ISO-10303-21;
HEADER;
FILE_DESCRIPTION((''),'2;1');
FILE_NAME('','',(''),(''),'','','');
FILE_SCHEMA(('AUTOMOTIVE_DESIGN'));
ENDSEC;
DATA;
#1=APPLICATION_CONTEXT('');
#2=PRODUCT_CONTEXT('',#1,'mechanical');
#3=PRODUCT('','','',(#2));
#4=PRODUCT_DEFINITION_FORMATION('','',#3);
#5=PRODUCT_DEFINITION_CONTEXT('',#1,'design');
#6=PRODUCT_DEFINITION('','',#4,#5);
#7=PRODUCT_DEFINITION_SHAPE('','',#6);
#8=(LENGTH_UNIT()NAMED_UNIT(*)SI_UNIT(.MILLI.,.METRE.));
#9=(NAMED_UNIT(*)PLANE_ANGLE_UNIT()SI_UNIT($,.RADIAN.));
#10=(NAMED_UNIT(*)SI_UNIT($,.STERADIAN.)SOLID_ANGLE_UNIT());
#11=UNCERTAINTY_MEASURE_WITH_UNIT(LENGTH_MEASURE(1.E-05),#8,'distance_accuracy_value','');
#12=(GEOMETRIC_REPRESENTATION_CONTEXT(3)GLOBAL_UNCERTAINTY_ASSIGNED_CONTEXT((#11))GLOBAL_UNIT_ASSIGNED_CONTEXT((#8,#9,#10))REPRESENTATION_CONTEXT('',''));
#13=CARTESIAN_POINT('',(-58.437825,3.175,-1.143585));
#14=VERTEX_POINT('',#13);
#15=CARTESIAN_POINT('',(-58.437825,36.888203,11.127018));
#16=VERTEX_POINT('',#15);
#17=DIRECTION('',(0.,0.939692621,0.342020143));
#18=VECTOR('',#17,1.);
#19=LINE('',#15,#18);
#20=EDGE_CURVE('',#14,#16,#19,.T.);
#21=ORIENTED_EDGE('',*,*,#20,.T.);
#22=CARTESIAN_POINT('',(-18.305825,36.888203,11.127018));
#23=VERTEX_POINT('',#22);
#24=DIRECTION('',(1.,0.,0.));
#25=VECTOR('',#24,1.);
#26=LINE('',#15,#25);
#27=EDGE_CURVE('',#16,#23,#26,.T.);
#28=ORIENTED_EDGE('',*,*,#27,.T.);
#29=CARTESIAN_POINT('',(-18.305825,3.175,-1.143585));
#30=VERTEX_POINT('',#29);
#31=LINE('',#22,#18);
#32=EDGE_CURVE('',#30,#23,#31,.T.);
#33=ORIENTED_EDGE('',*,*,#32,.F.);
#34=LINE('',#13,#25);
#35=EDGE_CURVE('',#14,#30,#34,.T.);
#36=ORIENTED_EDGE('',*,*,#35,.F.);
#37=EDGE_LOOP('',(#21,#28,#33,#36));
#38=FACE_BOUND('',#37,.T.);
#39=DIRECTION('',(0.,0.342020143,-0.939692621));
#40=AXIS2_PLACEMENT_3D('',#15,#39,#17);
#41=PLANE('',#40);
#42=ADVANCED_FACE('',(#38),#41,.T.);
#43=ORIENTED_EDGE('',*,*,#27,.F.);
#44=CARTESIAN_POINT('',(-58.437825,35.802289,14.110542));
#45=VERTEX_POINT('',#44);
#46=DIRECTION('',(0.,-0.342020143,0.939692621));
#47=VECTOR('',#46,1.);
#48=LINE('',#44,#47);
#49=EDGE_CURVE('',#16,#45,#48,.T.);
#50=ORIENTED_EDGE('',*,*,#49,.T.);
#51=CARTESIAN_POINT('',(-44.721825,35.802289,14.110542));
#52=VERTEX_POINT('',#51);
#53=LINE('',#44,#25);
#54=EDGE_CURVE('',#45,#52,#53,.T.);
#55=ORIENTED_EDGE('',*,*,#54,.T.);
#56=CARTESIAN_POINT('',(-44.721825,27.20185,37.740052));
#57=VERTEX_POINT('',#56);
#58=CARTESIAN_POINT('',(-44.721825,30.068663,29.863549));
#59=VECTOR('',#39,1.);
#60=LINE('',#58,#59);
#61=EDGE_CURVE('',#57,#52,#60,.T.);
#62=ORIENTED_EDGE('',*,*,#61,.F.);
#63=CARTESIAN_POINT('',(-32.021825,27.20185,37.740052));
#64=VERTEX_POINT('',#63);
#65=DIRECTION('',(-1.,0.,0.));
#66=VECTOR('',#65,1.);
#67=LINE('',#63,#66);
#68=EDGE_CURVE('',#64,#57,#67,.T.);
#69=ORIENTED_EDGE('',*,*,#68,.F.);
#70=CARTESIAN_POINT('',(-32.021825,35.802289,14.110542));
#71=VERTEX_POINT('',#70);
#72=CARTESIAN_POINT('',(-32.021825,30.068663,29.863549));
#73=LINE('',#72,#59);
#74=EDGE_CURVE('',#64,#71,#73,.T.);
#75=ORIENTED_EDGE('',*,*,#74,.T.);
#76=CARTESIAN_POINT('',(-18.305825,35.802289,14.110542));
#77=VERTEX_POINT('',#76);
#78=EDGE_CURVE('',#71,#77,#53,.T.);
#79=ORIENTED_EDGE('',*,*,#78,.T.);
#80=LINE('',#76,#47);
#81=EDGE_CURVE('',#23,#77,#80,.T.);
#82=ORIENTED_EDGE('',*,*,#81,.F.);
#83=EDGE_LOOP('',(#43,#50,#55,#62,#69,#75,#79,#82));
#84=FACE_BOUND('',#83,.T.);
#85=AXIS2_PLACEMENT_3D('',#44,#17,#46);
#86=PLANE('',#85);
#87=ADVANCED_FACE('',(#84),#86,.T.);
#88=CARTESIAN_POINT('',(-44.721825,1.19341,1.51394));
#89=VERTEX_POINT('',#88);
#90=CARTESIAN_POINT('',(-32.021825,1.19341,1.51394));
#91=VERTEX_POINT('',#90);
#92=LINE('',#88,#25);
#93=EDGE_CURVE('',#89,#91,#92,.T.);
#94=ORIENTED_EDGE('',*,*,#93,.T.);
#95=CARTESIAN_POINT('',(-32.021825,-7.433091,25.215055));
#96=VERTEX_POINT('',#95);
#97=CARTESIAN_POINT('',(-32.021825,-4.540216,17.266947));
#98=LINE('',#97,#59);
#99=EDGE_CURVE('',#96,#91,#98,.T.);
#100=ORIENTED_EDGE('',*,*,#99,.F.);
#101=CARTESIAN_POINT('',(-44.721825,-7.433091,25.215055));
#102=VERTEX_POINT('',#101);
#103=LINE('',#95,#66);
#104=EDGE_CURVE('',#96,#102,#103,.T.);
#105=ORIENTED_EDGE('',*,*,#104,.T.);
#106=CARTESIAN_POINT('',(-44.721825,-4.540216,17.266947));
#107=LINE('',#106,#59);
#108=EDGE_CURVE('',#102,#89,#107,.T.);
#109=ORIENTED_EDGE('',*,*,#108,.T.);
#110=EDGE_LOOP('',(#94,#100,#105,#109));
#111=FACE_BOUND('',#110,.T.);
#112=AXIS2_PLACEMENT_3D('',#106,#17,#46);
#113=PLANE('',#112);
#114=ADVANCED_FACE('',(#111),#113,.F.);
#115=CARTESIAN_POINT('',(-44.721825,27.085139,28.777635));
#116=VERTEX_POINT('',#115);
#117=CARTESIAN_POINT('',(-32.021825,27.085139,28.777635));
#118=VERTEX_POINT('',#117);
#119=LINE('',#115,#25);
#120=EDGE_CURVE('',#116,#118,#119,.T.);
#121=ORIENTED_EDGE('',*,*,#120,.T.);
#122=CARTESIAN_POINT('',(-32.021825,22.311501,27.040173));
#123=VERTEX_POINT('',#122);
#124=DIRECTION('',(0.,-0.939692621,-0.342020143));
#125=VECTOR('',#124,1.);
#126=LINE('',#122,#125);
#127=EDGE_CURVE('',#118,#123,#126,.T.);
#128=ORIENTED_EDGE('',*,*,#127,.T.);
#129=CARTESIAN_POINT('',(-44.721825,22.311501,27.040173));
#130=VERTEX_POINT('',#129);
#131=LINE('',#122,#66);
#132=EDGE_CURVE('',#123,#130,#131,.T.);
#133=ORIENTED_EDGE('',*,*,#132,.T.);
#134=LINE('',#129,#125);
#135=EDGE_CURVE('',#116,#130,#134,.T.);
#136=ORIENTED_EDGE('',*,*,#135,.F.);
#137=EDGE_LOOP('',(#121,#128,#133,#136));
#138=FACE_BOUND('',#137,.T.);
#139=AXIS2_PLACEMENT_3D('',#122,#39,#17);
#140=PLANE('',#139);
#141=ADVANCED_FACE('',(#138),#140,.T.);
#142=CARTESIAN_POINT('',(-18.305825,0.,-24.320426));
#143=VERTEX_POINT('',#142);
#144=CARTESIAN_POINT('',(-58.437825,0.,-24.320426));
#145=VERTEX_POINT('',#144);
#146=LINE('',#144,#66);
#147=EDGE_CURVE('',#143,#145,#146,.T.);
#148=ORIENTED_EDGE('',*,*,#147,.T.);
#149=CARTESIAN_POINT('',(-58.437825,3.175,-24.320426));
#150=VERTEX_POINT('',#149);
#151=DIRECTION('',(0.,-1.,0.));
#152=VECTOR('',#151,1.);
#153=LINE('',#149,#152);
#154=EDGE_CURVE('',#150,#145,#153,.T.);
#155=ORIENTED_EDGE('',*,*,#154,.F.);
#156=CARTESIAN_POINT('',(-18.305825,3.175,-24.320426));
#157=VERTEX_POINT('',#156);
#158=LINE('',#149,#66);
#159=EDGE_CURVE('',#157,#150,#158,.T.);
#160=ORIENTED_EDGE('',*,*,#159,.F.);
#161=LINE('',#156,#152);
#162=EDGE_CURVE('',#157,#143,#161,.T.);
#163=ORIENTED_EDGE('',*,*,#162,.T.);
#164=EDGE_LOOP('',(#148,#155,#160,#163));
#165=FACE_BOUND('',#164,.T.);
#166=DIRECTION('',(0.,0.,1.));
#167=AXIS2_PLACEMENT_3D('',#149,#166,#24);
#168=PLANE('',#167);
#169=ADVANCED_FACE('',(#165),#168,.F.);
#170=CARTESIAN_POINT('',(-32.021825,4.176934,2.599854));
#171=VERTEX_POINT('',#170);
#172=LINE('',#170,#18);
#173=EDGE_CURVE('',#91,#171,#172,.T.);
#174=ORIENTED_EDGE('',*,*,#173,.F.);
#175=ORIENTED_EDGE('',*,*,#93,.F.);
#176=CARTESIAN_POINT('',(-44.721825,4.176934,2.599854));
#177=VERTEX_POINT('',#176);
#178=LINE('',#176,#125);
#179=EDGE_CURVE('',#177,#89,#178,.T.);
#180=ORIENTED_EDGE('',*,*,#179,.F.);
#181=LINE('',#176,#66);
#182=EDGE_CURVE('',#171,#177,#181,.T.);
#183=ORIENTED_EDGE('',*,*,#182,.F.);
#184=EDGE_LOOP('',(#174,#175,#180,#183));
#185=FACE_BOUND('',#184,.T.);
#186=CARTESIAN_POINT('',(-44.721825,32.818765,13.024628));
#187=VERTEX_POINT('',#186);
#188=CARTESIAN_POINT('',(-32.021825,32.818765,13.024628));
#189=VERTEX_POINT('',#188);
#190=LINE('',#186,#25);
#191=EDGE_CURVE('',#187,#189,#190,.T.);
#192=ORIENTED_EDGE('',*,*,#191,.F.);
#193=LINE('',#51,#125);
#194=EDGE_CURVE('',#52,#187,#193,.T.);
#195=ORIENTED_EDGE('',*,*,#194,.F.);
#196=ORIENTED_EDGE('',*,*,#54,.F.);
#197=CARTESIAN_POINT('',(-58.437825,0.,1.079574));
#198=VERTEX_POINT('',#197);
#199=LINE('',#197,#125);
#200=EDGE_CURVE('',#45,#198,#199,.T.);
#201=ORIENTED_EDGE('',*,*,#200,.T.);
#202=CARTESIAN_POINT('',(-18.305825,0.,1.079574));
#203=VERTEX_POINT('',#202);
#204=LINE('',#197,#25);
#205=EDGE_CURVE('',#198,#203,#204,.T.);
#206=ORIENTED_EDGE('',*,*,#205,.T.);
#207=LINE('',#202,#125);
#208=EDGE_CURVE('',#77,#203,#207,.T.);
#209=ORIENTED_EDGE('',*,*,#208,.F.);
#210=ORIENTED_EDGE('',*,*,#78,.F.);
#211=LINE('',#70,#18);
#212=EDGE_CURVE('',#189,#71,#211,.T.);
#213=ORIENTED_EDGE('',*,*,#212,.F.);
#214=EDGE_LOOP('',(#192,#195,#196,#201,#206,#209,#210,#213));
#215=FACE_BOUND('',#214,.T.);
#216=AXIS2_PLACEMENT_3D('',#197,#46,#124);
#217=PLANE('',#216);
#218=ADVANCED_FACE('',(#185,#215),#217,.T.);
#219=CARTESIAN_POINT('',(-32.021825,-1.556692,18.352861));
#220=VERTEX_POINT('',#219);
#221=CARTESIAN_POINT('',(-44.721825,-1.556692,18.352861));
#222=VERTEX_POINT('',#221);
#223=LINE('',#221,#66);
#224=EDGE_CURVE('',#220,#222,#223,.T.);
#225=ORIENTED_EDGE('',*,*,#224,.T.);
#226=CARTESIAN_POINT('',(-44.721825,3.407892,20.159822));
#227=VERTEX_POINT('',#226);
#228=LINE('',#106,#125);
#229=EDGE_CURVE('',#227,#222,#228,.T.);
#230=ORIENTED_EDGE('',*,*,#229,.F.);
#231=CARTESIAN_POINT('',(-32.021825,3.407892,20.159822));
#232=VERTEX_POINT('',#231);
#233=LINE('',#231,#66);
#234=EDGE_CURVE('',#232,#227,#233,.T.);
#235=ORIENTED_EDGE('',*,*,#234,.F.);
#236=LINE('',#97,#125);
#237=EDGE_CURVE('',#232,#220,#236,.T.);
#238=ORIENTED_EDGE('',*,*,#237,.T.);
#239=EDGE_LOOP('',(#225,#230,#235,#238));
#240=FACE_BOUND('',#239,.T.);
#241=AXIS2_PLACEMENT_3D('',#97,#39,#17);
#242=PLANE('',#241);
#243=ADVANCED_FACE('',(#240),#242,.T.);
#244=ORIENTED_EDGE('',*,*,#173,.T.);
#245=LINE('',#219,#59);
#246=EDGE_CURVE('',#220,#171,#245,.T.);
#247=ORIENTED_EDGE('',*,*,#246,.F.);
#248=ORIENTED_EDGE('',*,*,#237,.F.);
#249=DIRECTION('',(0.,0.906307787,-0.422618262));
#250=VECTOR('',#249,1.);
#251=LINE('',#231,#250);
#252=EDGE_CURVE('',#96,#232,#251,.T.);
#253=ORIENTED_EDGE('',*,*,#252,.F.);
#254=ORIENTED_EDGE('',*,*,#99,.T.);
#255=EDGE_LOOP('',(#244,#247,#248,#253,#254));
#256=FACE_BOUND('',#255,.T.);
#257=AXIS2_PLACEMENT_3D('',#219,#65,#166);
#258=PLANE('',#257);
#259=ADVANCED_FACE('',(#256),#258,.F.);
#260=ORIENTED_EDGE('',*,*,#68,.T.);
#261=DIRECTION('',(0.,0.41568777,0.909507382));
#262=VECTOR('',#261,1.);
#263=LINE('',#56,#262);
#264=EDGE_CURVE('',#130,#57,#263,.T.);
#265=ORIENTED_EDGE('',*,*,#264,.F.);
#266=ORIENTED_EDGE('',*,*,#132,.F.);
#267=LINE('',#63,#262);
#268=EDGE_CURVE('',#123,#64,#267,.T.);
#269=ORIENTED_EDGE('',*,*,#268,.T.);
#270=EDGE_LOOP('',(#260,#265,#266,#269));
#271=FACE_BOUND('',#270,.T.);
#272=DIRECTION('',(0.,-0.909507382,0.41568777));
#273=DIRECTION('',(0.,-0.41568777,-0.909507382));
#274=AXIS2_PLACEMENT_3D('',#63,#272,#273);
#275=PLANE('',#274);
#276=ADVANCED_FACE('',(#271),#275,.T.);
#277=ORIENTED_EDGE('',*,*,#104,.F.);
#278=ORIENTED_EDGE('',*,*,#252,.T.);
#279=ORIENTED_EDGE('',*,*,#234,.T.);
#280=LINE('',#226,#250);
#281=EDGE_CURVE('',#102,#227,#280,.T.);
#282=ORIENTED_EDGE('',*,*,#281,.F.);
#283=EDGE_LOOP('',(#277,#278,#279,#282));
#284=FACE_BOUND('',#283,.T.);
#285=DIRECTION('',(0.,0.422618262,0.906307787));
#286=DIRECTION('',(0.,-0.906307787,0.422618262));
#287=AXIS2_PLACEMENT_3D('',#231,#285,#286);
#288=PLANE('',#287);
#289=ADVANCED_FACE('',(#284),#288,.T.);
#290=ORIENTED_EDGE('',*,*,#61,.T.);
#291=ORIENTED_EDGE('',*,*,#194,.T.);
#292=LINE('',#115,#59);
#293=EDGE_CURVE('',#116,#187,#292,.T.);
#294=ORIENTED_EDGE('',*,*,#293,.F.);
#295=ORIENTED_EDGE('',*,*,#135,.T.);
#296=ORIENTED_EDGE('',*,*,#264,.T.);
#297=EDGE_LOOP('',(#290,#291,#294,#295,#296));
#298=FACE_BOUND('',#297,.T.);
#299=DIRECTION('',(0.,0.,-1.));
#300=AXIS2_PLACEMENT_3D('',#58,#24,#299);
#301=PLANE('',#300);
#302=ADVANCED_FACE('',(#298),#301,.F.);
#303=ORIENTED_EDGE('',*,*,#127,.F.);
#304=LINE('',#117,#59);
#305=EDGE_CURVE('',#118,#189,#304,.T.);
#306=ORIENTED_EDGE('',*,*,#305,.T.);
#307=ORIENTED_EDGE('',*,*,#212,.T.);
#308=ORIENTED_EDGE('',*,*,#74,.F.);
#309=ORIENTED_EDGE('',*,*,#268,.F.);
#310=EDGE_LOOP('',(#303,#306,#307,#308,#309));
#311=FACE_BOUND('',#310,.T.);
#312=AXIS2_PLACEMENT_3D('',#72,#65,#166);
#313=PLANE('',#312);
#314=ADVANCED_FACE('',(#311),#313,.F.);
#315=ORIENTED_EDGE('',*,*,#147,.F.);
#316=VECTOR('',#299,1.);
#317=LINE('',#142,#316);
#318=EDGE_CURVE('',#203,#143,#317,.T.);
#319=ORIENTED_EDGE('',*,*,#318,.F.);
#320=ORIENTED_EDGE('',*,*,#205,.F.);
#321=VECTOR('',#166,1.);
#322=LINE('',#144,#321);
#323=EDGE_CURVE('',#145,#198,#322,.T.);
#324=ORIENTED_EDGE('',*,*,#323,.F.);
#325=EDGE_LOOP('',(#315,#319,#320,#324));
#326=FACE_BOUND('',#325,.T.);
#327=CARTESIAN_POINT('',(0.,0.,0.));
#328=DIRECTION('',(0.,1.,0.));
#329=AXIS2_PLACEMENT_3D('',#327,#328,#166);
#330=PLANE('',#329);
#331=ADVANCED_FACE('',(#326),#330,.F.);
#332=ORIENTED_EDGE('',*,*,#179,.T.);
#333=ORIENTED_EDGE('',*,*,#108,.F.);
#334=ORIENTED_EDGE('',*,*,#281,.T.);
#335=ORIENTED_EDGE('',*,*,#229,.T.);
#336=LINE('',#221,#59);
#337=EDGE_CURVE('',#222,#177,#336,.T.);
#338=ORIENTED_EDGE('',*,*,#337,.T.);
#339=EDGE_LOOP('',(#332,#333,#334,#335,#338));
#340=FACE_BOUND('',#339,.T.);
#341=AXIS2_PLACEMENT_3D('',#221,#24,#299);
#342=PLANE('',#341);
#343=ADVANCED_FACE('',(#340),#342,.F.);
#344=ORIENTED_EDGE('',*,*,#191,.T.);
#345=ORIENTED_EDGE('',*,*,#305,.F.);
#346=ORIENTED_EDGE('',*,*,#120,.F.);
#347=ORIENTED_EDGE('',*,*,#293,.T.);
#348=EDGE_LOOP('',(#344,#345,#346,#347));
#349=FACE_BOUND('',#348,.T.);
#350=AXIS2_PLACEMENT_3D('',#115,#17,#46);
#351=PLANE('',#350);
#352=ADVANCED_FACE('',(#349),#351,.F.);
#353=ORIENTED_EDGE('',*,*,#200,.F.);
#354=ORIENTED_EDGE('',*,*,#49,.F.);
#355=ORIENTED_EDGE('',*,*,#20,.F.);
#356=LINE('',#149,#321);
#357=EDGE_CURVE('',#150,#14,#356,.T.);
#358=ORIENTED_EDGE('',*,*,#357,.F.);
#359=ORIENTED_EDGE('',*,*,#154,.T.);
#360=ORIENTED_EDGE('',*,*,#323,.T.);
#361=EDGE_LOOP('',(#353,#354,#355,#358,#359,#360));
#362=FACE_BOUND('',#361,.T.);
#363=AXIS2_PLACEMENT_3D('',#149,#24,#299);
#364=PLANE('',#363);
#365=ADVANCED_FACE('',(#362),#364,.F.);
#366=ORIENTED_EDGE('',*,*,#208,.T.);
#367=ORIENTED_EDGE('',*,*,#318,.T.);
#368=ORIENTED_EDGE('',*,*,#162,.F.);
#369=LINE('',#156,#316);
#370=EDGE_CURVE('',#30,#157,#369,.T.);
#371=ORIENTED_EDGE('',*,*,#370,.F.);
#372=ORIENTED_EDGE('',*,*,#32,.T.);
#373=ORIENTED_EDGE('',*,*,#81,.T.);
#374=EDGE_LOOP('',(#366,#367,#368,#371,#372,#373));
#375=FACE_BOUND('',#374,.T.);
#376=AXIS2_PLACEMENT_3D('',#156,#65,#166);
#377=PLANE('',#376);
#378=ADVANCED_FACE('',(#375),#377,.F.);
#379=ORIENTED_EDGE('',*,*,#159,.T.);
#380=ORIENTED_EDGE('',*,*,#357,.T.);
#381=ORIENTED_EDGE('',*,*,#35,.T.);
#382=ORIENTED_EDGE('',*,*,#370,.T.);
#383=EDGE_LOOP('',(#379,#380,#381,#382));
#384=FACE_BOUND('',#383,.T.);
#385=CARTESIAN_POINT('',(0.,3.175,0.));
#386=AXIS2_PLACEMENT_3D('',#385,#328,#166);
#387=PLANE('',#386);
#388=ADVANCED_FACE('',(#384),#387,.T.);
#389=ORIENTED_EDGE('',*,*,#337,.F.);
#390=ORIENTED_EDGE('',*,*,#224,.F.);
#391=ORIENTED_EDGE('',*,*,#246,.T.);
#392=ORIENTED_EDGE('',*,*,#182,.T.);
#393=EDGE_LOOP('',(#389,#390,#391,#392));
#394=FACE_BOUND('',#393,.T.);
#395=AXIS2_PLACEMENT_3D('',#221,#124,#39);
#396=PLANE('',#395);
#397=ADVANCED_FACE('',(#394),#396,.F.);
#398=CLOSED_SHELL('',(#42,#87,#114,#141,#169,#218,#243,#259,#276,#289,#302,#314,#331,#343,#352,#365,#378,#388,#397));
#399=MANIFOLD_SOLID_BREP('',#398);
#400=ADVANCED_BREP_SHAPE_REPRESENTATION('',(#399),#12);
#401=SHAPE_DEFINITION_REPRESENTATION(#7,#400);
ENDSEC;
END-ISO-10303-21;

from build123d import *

# Parameters (mm, degrees)
SKETCH2_W           = 40.132
SKETCH2_H           = 25.4
BOSS_EXTRUDE1_DEPTH = 3.175
BOSS_EXTRUDE2_DEPTH = 40.132
SKETCH5_W           = 12.7
SKETCH5_H           = 3.175
BOSS_EXTRUDE3_DEPTH = 16.764
BOSS_EXTRUDE4_DEPTH = 12.7


with BuildPart() as part:
    # Sketch2 → Boss-Extrude1 (new body)
    with BuildSketch(Plane(origin=(0, 0, 0), x_dir=(1, 0, 0), z_dir=(0, 1, 0))):
        with Locations((-38.371824561, 11.620425731)):
            Rectangle(SKETCH2_W, SKETCH2_H)
    extrude(amount=BOSS_EXTRUDE1_DEPTH)

    # Sketch3 → Boss-Extrude2 (add)
    with BuildSketch(Plane(origin=(-18.305824561, 0, 0), x_dir=(0, 0, -1), z_dir=(1, 0, 0))):
        Polygon((-1.079574269, 0), (-14.11054173, 35.802288852), (-11.127017659, 36.888202807), (1.143584665, 3.175), align=None)
    extrude(amount=-BOSS_EXTRUDE2_DEPTH)

    # Sketch5 → Boss-Extrude3 (add)
    with BuildSketch(Plane(origin=(0, -0.346968482, 0.953288069), x_dir=(1, 0, 0), z_dir=(0, -0.34202014332566316, 0.9396926207859104))):
        with Locations((-38.371824561, 36.881736146)):
            Rectangle(SKETCH5_W, SKETCH5_H)
        with Locations((-38.371824561, 3.226736146)):
            Rectangle(SKETCH5_W, SKETCH5_H)
    extrude(amount=BOSS_EXTRUDE3_DEPTH)

    # Sketch6 → Boss-Extrude4 (add)
    with BuildSketch(Plane.ZY.offset(44.721824561)):
        Polygon((29.863548825, 30.068663169), (37.740052372, 27.201850328), (27.040172541, 22.311500585), align=None)
        Polygon((17.266946946, -4.540216054), (20.159821722, 3.407892071), (25.215055071, -7.433090831), align=None)
    extrude(amount=-BOSS_EXTRUDE4_DEPTH)


solid = part.part
